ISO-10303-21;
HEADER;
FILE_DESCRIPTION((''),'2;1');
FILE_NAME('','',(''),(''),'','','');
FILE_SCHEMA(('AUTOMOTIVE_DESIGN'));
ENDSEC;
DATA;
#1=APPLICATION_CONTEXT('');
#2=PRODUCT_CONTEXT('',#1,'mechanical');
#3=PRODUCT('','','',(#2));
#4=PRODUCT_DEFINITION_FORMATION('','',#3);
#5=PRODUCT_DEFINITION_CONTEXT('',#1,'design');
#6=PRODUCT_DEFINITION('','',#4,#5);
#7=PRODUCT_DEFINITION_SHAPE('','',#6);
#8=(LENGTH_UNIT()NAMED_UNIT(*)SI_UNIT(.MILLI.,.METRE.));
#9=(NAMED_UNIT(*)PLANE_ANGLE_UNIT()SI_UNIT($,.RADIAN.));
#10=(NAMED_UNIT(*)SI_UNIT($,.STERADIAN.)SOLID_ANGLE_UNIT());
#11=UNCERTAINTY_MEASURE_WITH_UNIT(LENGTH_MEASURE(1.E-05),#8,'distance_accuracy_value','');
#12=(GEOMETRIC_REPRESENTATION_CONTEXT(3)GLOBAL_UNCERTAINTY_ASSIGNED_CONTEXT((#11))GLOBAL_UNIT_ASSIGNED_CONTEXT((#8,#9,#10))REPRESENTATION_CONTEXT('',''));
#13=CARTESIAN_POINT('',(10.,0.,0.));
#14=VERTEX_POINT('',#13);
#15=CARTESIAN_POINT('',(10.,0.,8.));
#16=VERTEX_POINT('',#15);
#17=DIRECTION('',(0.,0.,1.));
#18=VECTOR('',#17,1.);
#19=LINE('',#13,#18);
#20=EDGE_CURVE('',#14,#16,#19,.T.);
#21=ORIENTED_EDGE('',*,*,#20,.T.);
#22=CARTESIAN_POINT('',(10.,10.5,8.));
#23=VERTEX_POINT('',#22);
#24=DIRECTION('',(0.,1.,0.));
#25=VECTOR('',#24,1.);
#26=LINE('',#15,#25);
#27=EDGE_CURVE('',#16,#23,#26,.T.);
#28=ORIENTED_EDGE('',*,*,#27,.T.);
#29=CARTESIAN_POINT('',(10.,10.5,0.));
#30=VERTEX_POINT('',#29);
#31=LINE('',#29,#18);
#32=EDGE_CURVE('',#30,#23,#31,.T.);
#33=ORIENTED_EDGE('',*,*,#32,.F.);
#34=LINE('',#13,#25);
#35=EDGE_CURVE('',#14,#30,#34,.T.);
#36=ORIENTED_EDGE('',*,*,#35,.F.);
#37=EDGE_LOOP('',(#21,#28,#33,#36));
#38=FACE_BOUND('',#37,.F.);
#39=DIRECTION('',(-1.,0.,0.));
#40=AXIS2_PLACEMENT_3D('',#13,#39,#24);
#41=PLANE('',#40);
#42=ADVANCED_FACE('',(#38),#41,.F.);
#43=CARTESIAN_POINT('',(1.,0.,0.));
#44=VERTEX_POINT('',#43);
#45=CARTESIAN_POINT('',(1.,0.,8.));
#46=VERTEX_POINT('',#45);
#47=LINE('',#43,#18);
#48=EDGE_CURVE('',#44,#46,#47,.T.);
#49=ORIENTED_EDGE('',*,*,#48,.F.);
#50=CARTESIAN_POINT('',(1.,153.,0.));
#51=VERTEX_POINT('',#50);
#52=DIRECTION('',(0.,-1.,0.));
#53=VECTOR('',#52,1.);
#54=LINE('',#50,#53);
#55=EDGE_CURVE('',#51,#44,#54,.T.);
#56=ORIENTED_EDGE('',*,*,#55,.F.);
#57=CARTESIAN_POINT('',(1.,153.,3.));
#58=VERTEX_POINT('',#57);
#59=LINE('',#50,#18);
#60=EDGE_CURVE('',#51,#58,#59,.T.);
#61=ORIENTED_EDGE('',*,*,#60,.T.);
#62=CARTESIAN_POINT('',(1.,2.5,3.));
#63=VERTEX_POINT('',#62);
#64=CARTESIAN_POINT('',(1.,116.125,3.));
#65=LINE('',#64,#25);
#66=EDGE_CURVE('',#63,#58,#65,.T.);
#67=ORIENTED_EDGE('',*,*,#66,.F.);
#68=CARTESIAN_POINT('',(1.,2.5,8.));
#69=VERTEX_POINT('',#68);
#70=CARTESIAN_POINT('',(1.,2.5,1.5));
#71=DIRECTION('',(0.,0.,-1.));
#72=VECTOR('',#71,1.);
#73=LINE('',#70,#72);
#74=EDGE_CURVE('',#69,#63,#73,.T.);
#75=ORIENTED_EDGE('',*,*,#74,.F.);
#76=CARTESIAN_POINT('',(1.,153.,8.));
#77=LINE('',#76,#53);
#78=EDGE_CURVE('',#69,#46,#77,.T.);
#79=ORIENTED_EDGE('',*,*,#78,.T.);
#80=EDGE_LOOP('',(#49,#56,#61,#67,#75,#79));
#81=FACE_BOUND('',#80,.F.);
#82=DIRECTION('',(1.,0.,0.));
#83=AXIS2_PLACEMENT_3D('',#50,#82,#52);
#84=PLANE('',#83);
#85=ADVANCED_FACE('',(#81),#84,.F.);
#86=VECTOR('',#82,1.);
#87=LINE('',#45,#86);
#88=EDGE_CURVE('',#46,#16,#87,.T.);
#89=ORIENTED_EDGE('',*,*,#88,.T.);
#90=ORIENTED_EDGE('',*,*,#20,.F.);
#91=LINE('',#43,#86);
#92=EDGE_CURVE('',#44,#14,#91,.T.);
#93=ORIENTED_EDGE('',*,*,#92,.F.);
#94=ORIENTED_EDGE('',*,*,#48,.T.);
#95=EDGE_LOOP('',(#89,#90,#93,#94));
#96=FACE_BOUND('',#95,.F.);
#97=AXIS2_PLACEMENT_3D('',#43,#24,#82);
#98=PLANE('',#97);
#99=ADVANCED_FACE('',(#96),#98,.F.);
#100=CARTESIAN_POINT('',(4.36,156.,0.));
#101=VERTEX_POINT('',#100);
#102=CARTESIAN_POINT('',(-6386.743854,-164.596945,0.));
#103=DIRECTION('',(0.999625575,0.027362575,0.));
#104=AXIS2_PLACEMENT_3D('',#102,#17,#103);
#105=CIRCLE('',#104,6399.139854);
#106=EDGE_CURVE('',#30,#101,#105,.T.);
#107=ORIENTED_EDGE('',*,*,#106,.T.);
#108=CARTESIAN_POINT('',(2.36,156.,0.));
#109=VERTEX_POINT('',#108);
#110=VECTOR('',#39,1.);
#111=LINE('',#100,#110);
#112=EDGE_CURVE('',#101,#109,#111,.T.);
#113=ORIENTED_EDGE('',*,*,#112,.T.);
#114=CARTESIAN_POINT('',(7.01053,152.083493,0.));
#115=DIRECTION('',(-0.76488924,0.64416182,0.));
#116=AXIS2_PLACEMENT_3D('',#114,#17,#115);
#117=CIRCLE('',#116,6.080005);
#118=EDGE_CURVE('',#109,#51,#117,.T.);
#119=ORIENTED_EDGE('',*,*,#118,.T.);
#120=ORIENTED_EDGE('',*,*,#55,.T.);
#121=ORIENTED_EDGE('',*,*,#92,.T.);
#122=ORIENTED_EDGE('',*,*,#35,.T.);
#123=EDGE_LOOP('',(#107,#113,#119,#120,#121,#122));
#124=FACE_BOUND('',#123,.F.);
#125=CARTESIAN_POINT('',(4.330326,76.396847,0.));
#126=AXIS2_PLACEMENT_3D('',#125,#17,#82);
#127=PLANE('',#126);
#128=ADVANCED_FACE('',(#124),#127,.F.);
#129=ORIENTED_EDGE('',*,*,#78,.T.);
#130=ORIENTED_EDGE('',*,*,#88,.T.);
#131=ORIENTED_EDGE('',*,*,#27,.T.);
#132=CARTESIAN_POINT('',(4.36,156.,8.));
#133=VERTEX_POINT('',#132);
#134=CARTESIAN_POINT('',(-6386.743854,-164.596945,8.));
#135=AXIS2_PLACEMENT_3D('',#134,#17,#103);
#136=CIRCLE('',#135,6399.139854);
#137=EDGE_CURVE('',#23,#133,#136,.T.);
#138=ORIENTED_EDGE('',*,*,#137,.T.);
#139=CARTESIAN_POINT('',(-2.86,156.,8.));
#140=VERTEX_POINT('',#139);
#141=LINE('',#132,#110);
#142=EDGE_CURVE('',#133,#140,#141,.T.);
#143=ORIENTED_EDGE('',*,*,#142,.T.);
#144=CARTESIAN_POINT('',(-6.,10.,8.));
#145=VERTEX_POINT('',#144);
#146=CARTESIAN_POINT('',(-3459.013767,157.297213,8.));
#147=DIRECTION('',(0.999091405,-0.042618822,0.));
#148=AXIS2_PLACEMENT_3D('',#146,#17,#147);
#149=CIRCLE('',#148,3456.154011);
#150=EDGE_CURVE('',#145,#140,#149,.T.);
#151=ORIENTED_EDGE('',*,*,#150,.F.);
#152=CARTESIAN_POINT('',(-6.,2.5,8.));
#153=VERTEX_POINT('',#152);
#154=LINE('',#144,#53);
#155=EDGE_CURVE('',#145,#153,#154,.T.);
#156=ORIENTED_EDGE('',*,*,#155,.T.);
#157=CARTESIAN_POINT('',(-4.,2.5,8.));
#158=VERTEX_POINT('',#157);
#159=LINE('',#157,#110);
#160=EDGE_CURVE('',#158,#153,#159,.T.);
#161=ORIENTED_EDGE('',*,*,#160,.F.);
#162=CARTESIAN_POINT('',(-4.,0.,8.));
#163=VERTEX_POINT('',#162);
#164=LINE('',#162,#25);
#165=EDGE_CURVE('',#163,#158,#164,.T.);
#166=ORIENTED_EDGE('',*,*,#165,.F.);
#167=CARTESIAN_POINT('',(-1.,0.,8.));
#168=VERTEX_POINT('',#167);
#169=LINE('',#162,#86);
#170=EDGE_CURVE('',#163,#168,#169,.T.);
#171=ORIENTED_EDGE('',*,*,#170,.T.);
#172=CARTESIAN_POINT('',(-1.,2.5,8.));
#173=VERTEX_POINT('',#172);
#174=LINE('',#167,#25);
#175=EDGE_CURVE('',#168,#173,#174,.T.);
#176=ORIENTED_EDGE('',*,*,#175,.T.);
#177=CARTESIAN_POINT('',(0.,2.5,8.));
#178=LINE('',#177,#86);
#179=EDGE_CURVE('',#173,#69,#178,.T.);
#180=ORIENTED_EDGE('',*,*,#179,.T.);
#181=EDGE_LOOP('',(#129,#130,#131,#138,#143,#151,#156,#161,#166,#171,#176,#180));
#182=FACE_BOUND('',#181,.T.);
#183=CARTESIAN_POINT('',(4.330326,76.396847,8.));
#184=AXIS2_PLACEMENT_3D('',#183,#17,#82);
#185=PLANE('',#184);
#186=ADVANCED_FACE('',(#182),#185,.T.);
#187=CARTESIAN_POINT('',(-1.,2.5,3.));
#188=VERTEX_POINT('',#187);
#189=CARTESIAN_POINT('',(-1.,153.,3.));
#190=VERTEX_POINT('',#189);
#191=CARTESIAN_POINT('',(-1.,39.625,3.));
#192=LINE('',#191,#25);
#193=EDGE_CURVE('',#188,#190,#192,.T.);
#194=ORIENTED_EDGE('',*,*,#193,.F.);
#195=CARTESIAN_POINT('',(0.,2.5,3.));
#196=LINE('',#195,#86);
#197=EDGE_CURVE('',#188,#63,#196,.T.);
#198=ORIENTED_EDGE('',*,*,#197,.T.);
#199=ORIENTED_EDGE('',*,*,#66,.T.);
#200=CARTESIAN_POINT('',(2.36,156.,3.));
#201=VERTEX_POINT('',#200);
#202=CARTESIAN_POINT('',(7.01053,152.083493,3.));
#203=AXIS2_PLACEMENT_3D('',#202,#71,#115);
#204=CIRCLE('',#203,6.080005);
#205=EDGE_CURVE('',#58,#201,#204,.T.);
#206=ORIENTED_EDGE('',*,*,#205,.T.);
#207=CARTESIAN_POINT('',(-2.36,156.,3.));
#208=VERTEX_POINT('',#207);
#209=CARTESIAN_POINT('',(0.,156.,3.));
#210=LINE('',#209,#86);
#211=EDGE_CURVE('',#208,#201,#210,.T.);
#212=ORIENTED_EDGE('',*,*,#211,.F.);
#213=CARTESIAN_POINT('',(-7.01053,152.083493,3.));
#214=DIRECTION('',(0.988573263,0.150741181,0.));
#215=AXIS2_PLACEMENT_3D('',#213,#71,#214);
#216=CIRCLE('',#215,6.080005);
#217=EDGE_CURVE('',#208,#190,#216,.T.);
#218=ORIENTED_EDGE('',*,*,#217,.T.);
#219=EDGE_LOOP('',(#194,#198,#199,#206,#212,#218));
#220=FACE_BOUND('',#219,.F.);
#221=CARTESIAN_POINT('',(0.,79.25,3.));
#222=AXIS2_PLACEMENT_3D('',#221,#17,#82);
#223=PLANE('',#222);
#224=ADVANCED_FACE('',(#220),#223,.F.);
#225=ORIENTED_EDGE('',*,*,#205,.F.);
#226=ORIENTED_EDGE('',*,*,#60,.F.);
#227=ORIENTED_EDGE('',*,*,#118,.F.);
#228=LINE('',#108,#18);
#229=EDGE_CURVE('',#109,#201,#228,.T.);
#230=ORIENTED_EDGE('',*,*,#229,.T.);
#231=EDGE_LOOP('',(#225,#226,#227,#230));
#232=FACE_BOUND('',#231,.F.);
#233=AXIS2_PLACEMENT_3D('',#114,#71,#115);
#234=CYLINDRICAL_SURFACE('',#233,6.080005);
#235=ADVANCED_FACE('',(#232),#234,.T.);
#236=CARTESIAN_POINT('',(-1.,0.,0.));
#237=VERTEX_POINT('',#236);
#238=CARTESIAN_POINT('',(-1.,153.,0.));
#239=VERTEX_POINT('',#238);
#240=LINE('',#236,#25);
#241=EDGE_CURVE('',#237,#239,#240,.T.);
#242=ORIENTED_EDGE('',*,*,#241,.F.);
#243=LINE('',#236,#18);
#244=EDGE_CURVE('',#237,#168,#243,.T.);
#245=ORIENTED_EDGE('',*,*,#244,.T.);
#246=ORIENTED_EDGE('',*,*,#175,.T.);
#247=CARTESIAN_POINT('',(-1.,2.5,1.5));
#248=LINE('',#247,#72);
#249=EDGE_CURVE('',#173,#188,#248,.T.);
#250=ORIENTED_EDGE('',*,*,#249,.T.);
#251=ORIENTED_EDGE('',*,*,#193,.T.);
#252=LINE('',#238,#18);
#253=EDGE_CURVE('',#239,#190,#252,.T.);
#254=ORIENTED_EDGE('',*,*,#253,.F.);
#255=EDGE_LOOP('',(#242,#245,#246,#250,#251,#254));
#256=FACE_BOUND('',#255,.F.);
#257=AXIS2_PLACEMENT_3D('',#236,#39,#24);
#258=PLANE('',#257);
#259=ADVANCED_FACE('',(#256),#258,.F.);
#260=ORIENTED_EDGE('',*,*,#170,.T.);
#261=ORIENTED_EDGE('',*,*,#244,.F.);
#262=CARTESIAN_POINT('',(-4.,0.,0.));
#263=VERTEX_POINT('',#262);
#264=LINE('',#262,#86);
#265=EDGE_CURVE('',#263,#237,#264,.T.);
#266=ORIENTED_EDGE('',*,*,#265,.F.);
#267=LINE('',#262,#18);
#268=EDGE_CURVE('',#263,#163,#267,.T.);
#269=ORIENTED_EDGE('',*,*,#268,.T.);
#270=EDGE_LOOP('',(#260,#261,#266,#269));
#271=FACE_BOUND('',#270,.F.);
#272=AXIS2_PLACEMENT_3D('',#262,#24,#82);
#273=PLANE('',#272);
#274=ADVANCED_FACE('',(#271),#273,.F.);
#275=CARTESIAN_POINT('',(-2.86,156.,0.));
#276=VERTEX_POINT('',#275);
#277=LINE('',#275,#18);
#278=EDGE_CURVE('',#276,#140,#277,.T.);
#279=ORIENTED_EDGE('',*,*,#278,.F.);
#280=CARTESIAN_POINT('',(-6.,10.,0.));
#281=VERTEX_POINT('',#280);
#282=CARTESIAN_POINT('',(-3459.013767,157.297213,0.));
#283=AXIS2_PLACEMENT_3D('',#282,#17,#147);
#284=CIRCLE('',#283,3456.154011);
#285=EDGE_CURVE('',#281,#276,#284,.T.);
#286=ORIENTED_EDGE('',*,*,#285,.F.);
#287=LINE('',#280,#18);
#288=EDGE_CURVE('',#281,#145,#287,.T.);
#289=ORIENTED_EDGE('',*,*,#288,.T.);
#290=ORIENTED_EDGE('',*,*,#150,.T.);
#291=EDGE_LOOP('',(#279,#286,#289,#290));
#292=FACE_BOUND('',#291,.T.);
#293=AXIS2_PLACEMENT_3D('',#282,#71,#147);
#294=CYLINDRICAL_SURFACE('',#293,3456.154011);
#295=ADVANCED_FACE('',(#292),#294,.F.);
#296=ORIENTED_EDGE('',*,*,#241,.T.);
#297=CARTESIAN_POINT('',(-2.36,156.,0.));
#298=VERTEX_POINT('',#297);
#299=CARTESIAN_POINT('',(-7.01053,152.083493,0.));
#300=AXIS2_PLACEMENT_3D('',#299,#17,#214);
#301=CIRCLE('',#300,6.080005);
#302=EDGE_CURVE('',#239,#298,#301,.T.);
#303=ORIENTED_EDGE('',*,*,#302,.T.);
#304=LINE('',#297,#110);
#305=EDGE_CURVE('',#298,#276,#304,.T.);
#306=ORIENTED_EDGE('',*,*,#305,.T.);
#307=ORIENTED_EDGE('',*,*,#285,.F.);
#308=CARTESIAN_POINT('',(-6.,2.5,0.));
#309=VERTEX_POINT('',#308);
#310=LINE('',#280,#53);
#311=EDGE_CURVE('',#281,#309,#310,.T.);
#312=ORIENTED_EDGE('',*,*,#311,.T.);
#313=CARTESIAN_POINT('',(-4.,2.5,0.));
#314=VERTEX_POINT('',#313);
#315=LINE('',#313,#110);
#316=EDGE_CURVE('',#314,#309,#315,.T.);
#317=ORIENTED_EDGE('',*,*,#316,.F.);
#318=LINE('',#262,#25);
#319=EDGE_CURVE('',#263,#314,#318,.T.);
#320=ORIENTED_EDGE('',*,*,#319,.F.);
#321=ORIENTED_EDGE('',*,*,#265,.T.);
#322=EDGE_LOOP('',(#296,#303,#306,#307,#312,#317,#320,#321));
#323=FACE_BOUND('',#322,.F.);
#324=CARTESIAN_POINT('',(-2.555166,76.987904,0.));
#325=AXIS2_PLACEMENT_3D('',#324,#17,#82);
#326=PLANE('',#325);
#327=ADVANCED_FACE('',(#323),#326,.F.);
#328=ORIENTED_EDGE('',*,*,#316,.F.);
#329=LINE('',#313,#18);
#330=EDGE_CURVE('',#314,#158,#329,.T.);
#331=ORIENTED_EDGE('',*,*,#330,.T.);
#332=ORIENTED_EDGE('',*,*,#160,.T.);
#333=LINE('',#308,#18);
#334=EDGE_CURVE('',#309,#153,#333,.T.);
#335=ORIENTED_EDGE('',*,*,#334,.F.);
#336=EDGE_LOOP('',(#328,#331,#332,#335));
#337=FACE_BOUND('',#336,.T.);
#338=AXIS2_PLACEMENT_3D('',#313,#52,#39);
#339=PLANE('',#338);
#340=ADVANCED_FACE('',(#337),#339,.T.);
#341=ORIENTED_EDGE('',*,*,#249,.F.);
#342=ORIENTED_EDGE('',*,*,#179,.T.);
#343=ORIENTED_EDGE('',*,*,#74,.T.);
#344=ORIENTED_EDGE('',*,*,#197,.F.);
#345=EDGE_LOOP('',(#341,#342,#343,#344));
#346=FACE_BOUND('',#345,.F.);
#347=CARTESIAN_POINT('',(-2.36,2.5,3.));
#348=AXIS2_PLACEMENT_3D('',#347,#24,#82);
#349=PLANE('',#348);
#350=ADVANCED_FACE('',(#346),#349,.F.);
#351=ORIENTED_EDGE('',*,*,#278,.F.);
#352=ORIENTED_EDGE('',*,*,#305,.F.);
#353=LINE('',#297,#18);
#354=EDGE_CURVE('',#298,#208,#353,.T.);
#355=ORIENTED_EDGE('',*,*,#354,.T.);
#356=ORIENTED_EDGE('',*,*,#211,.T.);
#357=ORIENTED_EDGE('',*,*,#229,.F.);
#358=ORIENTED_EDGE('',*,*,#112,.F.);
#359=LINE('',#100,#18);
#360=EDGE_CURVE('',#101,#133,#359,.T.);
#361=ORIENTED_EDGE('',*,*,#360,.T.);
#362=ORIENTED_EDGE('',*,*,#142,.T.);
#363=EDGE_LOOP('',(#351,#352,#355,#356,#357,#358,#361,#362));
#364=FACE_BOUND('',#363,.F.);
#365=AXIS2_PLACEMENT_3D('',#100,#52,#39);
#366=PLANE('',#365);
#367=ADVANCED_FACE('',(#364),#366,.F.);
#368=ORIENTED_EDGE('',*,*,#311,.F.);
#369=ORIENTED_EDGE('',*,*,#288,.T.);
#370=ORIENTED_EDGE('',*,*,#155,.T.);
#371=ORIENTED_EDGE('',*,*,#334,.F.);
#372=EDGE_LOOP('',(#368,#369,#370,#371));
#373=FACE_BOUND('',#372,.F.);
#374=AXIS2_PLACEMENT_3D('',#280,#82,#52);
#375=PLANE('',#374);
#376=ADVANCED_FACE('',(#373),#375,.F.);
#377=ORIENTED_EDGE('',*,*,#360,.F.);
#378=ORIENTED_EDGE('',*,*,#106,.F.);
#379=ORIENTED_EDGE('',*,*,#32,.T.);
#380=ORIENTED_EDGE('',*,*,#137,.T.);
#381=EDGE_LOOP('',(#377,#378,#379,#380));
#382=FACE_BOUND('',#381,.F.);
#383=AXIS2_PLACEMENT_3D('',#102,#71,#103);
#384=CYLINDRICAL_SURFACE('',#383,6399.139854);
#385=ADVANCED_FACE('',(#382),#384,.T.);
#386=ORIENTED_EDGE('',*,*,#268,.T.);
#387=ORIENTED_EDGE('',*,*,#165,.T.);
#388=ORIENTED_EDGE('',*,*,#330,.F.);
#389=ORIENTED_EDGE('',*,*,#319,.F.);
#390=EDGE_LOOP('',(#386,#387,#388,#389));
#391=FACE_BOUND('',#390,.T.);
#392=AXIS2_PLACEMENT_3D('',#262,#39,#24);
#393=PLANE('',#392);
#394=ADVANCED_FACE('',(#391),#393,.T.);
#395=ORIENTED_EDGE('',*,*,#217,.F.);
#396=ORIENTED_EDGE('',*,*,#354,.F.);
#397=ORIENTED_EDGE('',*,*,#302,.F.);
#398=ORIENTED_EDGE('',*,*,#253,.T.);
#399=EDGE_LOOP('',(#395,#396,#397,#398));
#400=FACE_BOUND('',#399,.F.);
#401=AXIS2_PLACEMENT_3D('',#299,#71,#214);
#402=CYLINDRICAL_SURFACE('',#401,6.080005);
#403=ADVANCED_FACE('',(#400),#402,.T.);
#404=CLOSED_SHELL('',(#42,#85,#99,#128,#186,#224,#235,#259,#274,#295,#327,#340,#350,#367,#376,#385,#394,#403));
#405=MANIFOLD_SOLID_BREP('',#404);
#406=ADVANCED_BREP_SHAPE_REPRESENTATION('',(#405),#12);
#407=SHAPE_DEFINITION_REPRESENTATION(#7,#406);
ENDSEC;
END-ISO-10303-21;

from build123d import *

# Parameters (mm, degrees)
PAD008_DEPTH = 8
SKETCH021_W  = 4.72
SKETCH021_H  = 153.5
PAD009_DEPTH = 5
PAD010_DEPTH = 8


with BuildPart() as part:
    # Sketch022 → Pad008 (new body)
    with BuildSketch(Plane.XY):
        with BuildLine():
            Line((-1, 0), (-1, 153))
            ThreePointArc((-1, 153), (-1.472972, 154.593853), (-2.36, 156))
            Line((-2.36, 156), (-2.86, 156))
            ThreePointArc((-6, 10), (-3.658792, 82.983414), (-2.86, 156))
            Line((-6, 10), (-6, 2.5))
            Line((-4, 2.5), (-6, 2.5))
            Line((-4, 0), (-4, 2.5))
            Line((-4, 0), (-1, 0))
        make_face()
    extrude(amount=PAD008_DEPTH)

    # Sketch021 → Pad009 (join)
    with BuildSketch(Plane.XY.offset(3)):
        with Locations((0, 79.25)):
            Rectangle(SKETCH021_W, SKETCH021_H)
    extrude(amount=PAD009_DEPTH)

    # Sketch023 → Pad010 (join)
    with BuildSketch(Plane.XY):
        with BuildLine():
            Line((1, 0), (10, 0))
            Line((10, 0), (10, 10.5))
            ThreePointArc((10, 10.5), (7.593861, 83.266042), (4.36, 156))
            Line((4.36, 156), (2.36, 156))
            ThreePointArc((2.36, 156), (1.472972, 154.593853), (1, 153))
            Line((1, 153), (1, 0))
        make_face()
    extrude(amount=PAD010_DEPTH)


solid = part.part
